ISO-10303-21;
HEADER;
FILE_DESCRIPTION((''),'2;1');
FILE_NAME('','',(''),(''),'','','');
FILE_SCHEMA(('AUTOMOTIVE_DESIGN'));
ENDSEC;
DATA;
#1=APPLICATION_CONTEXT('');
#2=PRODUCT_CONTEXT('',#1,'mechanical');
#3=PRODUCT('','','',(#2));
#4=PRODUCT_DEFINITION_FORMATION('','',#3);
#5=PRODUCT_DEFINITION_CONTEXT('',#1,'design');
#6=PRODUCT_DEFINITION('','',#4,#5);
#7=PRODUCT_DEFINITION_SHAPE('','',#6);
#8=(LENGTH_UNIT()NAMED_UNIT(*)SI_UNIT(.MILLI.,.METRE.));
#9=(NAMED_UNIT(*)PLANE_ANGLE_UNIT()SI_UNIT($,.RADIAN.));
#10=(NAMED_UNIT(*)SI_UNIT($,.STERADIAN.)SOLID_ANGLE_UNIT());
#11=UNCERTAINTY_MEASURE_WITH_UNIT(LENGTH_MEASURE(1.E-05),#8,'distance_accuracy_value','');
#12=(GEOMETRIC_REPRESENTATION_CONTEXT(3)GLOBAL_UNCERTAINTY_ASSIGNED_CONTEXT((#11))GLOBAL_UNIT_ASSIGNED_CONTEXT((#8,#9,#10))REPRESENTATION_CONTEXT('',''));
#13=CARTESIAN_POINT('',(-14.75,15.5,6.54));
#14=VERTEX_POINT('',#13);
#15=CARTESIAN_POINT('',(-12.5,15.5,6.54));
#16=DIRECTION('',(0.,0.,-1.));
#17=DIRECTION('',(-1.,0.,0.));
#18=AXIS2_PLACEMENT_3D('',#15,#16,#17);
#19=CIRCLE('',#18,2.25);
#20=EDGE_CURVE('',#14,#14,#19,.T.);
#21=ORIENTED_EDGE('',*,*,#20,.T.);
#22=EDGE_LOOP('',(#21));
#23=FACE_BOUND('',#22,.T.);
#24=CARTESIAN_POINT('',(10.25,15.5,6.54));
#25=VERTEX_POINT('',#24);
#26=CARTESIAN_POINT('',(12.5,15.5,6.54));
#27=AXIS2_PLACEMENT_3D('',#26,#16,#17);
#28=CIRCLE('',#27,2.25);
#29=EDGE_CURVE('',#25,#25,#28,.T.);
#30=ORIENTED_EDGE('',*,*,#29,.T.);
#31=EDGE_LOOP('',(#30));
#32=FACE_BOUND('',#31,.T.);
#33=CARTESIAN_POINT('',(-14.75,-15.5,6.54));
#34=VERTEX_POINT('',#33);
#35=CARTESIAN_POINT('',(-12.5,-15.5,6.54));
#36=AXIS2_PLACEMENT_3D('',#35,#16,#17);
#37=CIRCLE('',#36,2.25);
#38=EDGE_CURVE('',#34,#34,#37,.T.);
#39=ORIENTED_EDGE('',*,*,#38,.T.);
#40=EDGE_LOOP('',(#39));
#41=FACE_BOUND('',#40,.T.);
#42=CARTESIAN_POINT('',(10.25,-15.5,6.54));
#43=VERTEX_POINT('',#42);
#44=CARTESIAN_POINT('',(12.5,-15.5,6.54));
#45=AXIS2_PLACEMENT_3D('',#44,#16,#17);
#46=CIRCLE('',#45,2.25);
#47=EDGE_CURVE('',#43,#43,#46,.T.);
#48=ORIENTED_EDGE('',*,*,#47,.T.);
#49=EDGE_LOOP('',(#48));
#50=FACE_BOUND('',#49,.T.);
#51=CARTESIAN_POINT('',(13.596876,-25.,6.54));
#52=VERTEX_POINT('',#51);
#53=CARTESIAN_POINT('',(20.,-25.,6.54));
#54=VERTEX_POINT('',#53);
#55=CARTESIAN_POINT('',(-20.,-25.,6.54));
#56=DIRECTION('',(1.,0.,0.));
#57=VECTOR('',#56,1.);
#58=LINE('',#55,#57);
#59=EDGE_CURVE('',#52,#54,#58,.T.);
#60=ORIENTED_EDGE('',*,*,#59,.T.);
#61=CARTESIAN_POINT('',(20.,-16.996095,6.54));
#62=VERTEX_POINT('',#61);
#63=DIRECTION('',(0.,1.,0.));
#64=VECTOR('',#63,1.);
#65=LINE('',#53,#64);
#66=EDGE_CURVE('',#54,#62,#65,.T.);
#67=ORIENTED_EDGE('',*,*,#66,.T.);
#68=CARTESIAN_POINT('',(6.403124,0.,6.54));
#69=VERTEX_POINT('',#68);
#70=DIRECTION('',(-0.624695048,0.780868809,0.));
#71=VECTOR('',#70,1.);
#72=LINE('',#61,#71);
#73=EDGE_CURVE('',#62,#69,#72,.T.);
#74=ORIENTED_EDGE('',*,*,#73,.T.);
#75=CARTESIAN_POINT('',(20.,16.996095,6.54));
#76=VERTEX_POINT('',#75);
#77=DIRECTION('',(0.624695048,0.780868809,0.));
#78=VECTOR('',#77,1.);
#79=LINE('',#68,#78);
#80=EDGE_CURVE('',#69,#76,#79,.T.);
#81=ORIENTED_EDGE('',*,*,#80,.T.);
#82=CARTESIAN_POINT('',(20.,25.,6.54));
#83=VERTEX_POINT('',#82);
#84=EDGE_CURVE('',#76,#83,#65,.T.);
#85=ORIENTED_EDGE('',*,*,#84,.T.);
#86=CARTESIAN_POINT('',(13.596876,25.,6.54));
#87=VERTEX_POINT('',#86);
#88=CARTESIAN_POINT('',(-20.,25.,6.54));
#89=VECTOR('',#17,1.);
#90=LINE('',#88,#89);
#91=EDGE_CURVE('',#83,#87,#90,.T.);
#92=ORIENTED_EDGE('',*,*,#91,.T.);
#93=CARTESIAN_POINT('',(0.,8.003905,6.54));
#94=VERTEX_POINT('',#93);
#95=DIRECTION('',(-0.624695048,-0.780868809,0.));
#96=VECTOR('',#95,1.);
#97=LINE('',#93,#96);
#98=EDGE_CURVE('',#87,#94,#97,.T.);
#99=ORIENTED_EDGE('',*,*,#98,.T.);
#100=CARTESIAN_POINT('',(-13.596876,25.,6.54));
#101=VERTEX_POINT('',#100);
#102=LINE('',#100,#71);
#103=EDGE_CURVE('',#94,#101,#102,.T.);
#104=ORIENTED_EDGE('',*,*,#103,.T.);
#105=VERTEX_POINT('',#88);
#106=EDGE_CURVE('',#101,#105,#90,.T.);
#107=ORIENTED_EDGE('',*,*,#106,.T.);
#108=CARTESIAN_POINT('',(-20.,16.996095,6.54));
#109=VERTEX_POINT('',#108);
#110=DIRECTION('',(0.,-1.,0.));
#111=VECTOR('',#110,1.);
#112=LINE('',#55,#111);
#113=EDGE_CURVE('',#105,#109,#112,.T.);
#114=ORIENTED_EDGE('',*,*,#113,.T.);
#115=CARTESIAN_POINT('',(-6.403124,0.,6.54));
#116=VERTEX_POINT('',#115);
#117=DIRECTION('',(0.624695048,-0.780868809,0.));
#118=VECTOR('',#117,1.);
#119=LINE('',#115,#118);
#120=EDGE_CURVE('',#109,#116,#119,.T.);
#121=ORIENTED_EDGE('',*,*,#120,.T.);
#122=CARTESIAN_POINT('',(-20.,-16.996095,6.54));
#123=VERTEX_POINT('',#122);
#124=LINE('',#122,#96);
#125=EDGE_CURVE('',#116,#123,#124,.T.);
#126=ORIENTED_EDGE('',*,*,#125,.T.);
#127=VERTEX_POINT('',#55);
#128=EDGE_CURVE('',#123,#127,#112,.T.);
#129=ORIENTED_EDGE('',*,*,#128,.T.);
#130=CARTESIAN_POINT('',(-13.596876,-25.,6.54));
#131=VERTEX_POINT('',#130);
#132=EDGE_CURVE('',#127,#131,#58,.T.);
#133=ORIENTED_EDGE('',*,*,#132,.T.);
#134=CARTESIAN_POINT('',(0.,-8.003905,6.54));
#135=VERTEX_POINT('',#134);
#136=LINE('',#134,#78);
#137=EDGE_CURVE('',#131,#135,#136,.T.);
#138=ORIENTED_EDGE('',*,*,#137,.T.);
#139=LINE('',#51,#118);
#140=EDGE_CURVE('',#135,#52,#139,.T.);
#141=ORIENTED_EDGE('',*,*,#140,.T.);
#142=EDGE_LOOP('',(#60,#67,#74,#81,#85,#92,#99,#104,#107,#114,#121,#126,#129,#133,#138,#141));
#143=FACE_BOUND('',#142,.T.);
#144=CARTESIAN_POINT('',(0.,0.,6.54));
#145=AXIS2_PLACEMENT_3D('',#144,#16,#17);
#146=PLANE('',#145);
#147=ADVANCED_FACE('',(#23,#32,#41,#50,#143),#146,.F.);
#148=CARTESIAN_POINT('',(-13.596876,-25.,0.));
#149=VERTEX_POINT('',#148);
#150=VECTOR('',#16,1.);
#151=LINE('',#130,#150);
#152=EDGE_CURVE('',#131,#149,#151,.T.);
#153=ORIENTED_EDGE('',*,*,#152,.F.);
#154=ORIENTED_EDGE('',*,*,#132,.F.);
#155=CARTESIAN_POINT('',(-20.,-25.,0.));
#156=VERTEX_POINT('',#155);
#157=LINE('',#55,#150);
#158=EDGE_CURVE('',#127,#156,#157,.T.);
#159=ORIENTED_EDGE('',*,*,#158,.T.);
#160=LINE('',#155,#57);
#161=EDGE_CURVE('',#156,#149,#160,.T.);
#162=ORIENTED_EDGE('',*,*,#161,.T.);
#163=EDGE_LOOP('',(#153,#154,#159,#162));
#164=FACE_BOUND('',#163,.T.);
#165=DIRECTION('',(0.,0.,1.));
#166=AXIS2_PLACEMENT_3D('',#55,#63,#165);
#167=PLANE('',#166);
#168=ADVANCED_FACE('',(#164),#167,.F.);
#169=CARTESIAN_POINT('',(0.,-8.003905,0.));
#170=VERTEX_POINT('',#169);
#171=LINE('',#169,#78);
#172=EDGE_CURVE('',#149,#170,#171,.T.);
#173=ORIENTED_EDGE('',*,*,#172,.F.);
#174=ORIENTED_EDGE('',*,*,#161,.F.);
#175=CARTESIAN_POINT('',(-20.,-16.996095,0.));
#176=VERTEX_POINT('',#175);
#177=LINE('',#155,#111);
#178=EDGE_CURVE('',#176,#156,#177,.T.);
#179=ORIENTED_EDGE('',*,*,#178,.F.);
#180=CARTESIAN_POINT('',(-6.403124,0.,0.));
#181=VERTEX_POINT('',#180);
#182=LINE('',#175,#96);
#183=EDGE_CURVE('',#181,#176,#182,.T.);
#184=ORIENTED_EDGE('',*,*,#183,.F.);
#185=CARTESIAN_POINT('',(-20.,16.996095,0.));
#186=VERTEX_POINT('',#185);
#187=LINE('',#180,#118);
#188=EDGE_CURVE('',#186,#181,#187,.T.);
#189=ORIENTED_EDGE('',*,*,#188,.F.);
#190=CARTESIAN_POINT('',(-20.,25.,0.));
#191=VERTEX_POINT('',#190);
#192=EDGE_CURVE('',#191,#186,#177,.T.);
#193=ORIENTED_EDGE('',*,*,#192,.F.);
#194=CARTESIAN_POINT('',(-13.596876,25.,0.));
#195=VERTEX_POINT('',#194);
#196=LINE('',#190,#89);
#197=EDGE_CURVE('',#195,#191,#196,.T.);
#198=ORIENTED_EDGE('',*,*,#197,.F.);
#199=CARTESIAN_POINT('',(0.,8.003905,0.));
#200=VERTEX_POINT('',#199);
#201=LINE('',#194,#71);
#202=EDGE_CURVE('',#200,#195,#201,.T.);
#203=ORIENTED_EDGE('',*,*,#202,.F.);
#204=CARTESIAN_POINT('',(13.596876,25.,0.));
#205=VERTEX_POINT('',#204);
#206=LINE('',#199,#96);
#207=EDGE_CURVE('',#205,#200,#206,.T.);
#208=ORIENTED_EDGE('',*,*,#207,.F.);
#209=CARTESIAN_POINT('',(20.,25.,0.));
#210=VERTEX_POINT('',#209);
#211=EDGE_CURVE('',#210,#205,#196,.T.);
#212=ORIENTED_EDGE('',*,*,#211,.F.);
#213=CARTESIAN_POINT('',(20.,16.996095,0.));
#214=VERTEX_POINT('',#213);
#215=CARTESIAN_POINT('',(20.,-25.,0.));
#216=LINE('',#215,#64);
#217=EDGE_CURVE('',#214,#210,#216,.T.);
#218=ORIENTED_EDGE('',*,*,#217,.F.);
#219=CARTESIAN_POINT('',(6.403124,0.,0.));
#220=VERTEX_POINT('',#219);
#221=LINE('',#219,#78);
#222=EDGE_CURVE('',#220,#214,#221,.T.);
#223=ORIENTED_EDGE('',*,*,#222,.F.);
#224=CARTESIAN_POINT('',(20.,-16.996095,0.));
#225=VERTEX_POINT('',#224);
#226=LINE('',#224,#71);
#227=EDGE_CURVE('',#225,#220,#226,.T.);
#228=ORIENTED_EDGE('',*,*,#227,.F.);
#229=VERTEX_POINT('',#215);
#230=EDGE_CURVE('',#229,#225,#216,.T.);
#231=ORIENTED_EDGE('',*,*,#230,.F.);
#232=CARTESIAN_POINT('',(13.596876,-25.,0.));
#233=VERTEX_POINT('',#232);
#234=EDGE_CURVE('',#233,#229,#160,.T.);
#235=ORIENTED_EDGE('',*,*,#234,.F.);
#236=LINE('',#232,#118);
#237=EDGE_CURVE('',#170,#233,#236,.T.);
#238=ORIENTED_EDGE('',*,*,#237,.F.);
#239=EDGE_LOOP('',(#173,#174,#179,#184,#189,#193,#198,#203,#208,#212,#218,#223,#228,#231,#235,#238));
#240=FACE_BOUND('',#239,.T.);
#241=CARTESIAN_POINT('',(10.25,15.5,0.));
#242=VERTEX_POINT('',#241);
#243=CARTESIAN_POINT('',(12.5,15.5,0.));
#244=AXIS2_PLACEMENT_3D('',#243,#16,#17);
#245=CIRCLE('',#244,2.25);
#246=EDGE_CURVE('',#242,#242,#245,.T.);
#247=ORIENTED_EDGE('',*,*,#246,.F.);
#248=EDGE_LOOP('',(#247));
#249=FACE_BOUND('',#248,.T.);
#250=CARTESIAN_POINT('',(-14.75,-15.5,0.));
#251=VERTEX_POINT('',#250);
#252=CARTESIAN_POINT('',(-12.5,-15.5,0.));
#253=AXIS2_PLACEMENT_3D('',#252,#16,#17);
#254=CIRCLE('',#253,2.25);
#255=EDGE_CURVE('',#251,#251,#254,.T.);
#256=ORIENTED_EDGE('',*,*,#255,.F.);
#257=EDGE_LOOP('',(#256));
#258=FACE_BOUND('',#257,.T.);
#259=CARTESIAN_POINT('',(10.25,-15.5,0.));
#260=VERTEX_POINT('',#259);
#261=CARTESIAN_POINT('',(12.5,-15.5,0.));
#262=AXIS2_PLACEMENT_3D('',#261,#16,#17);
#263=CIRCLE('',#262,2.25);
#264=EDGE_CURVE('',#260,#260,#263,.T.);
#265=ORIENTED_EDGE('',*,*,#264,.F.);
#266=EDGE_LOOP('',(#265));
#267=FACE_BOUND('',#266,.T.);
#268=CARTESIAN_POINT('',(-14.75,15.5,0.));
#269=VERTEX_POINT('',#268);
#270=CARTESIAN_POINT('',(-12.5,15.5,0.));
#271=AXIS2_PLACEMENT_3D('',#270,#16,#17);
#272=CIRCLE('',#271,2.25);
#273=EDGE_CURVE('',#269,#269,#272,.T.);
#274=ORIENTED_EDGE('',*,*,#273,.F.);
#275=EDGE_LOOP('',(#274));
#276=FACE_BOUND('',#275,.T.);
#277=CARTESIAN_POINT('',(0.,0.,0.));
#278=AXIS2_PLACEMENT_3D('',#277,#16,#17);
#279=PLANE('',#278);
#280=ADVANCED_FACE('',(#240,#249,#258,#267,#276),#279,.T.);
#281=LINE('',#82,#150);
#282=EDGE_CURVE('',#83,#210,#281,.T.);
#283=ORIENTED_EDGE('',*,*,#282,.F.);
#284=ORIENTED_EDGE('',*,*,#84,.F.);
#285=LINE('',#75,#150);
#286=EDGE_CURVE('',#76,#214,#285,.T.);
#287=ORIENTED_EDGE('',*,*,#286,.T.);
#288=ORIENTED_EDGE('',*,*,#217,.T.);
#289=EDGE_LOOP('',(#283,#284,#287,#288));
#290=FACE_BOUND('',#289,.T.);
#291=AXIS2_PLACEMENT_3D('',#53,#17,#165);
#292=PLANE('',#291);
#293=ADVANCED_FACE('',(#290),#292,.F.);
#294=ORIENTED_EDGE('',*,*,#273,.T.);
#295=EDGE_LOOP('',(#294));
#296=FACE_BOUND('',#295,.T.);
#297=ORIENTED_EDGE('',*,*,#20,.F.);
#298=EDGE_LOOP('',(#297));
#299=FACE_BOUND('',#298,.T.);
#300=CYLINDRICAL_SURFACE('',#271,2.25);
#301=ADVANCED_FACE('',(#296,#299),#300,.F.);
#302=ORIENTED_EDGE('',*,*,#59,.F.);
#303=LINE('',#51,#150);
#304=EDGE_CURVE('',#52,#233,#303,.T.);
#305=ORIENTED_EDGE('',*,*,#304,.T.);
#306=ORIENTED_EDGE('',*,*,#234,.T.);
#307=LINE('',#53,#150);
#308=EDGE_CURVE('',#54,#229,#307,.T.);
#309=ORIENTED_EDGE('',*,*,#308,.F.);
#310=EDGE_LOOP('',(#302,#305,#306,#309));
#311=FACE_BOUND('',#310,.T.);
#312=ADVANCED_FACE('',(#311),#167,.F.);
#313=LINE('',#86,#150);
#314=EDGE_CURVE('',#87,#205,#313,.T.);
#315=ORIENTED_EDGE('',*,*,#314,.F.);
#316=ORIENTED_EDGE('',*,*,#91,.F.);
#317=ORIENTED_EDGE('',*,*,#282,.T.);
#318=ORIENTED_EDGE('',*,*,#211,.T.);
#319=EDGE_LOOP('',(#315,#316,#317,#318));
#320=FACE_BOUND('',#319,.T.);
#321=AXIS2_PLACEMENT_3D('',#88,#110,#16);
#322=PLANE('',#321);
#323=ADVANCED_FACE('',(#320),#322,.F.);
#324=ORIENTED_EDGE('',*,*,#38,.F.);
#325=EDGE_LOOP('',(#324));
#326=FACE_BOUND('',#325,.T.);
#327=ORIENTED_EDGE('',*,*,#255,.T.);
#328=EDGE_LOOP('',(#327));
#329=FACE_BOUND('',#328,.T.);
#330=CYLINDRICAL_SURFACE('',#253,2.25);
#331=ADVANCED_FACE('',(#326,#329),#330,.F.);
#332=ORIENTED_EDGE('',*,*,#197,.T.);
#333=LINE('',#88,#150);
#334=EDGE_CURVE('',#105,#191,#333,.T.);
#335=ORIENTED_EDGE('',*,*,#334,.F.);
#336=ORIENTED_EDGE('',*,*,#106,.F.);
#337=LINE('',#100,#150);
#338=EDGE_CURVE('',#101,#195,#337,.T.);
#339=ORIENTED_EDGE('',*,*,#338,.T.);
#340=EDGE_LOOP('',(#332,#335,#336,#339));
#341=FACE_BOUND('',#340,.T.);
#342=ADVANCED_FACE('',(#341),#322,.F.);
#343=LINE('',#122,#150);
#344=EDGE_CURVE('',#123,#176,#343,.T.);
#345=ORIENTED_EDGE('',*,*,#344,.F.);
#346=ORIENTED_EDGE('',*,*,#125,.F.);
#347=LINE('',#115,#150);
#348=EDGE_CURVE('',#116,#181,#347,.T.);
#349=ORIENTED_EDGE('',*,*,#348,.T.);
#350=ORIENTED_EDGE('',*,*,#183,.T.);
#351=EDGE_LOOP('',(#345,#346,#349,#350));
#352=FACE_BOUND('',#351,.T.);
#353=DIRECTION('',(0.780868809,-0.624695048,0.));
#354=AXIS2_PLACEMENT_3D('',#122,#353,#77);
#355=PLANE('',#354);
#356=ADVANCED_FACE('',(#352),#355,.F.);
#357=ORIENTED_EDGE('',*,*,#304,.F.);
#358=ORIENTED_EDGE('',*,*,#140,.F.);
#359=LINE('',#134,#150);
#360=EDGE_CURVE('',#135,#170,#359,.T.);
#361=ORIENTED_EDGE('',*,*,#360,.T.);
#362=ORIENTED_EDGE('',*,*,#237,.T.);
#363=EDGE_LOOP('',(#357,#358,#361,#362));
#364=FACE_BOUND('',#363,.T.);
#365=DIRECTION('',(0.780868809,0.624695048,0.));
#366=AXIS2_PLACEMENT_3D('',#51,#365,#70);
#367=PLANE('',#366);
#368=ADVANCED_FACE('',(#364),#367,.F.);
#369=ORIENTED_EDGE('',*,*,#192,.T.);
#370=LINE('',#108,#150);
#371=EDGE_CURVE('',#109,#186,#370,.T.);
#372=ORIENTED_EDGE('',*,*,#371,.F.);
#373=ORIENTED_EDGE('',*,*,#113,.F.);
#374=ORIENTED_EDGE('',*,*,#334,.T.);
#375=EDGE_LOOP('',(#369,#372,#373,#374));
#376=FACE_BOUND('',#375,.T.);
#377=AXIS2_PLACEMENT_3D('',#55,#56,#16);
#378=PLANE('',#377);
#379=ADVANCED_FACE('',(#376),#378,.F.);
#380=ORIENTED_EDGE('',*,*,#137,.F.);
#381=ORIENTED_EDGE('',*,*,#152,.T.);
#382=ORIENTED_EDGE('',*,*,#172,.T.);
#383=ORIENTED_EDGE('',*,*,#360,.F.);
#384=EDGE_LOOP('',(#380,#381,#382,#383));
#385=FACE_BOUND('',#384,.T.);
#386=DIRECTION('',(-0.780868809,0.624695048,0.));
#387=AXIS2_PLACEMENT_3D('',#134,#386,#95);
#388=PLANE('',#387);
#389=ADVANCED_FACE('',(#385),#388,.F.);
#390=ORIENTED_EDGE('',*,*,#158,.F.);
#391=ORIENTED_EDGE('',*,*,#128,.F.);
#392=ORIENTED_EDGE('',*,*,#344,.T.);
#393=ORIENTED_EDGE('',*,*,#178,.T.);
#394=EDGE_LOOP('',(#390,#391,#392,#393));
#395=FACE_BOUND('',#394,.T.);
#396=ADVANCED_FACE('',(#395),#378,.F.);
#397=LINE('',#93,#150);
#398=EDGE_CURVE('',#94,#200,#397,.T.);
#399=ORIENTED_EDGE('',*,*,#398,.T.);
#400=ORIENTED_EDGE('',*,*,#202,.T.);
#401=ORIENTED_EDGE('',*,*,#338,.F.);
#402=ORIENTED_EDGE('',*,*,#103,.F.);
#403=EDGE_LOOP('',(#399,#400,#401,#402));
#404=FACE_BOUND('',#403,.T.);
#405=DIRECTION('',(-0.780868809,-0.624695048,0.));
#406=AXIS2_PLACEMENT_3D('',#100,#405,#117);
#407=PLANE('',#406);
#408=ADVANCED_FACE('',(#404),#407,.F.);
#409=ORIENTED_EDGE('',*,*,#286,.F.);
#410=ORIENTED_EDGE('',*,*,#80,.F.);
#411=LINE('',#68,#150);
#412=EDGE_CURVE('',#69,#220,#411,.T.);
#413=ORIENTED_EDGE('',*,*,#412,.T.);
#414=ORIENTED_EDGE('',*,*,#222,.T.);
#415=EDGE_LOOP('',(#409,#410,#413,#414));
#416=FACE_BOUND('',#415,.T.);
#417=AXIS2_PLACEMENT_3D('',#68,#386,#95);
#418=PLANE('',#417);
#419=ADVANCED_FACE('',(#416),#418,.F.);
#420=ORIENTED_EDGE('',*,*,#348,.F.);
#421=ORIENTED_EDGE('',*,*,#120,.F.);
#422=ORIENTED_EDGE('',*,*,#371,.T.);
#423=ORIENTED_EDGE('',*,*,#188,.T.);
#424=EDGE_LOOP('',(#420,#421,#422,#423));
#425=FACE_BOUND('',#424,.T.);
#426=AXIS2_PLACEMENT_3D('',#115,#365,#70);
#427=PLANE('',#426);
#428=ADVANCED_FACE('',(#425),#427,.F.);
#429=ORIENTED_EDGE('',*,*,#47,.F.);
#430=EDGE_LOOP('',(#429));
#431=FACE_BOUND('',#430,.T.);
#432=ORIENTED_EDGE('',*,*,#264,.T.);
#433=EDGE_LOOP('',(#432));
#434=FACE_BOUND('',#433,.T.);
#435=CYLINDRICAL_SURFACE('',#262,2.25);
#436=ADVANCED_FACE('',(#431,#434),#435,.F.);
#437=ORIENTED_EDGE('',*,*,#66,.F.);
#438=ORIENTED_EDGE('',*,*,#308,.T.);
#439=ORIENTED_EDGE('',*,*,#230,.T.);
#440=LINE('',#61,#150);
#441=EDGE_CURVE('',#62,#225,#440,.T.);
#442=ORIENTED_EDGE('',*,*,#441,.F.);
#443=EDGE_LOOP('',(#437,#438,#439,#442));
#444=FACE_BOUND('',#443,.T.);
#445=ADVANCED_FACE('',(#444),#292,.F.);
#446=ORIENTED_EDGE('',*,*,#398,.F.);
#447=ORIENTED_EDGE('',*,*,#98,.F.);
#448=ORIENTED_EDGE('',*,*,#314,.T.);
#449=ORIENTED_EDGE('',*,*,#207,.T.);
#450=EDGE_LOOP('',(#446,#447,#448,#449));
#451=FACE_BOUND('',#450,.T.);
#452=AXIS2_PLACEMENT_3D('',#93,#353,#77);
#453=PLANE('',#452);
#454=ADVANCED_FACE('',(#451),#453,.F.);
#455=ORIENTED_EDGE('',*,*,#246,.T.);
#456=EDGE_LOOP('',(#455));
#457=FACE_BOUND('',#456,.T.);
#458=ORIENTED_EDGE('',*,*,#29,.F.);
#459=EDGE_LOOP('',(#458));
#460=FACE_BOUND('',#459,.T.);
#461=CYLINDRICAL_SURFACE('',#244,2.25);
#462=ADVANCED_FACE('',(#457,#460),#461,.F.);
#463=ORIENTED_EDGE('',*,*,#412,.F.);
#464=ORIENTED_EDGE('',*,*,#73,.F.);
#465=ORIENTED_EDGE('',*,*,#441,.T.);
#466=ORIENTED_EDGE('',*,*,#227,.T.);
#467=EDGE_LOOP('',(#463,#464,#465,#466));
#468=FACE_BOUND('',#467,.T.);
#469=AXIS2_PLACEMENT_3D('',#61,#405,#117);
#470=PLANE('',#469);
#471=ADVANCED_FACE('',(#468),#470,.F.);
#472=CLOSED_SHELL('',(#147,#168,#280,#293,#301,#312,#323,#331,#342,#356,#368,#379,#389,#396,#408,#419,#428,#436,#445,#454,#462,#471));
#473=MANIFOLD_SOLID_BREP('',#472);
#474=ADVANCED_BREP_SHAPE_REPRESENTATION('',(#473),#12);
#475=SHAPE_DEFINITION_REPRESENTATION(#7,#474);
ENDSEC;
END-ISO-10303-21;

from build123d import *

# Parameters (mm, degrees)
SKETCH1_W            = 40
SKETCH1_H            = 50
BOSS_EXTRUDE1_DEPTH  = 6.54
M4_CLEARANCE_HOLE1_D = 4.5
CUT_EXTRUDE1_DEPTH   = 33.676774627


with BuildPart() as part:
    # Sketch1 → Boss-Extrude1 (new body)
    with BuildSketch(Plane.XY):
        Rectangle(SKETCH1_W, SKETCH1_H)
    extrude(amount=BOSS_EXTRUDE1_DEPTH)

    # M4 Clearance Hole1 (through all)
    with Locations(Plane(origin=(0, 0, 0), x_dir=(-1, 0, 0), z_dir=(0, 0, -1))):
        with Locations((-12.5, 15.5), (12.5, 15.5), (12.5, -15.5), (-12.5, -15.5)):
            Hole(M4_CLEARANCE_HOLE1_D / 2)

    # Sketch6 → Cut-Extrude1 (cut, through all)
    with BuildSketch(Plane(origin=(0, 0, 0), x_dir=(-1, 0, 0), z_dir=(0, 0, -1))):
        Polygon((20, 16.996094703), (20, -16.996094703), (6.403124237, 0), align=None)
        Polygon((13.596875763, -25), (-13.596875763, -25), (0, -8.003905297), align=None)
        Polygon((-20, 16.996094703), (-20, -16.996094703), (-6.403124237, 0), align=None)
        Polygon((-13.596875763, 25), (13.596875763, 25), (0, 8.003905297), align=None)
    extrude(amount=-CUT_EXTRUDE1_DEPTH, mode=Mode.SUBTRACT)


solid = part.part
